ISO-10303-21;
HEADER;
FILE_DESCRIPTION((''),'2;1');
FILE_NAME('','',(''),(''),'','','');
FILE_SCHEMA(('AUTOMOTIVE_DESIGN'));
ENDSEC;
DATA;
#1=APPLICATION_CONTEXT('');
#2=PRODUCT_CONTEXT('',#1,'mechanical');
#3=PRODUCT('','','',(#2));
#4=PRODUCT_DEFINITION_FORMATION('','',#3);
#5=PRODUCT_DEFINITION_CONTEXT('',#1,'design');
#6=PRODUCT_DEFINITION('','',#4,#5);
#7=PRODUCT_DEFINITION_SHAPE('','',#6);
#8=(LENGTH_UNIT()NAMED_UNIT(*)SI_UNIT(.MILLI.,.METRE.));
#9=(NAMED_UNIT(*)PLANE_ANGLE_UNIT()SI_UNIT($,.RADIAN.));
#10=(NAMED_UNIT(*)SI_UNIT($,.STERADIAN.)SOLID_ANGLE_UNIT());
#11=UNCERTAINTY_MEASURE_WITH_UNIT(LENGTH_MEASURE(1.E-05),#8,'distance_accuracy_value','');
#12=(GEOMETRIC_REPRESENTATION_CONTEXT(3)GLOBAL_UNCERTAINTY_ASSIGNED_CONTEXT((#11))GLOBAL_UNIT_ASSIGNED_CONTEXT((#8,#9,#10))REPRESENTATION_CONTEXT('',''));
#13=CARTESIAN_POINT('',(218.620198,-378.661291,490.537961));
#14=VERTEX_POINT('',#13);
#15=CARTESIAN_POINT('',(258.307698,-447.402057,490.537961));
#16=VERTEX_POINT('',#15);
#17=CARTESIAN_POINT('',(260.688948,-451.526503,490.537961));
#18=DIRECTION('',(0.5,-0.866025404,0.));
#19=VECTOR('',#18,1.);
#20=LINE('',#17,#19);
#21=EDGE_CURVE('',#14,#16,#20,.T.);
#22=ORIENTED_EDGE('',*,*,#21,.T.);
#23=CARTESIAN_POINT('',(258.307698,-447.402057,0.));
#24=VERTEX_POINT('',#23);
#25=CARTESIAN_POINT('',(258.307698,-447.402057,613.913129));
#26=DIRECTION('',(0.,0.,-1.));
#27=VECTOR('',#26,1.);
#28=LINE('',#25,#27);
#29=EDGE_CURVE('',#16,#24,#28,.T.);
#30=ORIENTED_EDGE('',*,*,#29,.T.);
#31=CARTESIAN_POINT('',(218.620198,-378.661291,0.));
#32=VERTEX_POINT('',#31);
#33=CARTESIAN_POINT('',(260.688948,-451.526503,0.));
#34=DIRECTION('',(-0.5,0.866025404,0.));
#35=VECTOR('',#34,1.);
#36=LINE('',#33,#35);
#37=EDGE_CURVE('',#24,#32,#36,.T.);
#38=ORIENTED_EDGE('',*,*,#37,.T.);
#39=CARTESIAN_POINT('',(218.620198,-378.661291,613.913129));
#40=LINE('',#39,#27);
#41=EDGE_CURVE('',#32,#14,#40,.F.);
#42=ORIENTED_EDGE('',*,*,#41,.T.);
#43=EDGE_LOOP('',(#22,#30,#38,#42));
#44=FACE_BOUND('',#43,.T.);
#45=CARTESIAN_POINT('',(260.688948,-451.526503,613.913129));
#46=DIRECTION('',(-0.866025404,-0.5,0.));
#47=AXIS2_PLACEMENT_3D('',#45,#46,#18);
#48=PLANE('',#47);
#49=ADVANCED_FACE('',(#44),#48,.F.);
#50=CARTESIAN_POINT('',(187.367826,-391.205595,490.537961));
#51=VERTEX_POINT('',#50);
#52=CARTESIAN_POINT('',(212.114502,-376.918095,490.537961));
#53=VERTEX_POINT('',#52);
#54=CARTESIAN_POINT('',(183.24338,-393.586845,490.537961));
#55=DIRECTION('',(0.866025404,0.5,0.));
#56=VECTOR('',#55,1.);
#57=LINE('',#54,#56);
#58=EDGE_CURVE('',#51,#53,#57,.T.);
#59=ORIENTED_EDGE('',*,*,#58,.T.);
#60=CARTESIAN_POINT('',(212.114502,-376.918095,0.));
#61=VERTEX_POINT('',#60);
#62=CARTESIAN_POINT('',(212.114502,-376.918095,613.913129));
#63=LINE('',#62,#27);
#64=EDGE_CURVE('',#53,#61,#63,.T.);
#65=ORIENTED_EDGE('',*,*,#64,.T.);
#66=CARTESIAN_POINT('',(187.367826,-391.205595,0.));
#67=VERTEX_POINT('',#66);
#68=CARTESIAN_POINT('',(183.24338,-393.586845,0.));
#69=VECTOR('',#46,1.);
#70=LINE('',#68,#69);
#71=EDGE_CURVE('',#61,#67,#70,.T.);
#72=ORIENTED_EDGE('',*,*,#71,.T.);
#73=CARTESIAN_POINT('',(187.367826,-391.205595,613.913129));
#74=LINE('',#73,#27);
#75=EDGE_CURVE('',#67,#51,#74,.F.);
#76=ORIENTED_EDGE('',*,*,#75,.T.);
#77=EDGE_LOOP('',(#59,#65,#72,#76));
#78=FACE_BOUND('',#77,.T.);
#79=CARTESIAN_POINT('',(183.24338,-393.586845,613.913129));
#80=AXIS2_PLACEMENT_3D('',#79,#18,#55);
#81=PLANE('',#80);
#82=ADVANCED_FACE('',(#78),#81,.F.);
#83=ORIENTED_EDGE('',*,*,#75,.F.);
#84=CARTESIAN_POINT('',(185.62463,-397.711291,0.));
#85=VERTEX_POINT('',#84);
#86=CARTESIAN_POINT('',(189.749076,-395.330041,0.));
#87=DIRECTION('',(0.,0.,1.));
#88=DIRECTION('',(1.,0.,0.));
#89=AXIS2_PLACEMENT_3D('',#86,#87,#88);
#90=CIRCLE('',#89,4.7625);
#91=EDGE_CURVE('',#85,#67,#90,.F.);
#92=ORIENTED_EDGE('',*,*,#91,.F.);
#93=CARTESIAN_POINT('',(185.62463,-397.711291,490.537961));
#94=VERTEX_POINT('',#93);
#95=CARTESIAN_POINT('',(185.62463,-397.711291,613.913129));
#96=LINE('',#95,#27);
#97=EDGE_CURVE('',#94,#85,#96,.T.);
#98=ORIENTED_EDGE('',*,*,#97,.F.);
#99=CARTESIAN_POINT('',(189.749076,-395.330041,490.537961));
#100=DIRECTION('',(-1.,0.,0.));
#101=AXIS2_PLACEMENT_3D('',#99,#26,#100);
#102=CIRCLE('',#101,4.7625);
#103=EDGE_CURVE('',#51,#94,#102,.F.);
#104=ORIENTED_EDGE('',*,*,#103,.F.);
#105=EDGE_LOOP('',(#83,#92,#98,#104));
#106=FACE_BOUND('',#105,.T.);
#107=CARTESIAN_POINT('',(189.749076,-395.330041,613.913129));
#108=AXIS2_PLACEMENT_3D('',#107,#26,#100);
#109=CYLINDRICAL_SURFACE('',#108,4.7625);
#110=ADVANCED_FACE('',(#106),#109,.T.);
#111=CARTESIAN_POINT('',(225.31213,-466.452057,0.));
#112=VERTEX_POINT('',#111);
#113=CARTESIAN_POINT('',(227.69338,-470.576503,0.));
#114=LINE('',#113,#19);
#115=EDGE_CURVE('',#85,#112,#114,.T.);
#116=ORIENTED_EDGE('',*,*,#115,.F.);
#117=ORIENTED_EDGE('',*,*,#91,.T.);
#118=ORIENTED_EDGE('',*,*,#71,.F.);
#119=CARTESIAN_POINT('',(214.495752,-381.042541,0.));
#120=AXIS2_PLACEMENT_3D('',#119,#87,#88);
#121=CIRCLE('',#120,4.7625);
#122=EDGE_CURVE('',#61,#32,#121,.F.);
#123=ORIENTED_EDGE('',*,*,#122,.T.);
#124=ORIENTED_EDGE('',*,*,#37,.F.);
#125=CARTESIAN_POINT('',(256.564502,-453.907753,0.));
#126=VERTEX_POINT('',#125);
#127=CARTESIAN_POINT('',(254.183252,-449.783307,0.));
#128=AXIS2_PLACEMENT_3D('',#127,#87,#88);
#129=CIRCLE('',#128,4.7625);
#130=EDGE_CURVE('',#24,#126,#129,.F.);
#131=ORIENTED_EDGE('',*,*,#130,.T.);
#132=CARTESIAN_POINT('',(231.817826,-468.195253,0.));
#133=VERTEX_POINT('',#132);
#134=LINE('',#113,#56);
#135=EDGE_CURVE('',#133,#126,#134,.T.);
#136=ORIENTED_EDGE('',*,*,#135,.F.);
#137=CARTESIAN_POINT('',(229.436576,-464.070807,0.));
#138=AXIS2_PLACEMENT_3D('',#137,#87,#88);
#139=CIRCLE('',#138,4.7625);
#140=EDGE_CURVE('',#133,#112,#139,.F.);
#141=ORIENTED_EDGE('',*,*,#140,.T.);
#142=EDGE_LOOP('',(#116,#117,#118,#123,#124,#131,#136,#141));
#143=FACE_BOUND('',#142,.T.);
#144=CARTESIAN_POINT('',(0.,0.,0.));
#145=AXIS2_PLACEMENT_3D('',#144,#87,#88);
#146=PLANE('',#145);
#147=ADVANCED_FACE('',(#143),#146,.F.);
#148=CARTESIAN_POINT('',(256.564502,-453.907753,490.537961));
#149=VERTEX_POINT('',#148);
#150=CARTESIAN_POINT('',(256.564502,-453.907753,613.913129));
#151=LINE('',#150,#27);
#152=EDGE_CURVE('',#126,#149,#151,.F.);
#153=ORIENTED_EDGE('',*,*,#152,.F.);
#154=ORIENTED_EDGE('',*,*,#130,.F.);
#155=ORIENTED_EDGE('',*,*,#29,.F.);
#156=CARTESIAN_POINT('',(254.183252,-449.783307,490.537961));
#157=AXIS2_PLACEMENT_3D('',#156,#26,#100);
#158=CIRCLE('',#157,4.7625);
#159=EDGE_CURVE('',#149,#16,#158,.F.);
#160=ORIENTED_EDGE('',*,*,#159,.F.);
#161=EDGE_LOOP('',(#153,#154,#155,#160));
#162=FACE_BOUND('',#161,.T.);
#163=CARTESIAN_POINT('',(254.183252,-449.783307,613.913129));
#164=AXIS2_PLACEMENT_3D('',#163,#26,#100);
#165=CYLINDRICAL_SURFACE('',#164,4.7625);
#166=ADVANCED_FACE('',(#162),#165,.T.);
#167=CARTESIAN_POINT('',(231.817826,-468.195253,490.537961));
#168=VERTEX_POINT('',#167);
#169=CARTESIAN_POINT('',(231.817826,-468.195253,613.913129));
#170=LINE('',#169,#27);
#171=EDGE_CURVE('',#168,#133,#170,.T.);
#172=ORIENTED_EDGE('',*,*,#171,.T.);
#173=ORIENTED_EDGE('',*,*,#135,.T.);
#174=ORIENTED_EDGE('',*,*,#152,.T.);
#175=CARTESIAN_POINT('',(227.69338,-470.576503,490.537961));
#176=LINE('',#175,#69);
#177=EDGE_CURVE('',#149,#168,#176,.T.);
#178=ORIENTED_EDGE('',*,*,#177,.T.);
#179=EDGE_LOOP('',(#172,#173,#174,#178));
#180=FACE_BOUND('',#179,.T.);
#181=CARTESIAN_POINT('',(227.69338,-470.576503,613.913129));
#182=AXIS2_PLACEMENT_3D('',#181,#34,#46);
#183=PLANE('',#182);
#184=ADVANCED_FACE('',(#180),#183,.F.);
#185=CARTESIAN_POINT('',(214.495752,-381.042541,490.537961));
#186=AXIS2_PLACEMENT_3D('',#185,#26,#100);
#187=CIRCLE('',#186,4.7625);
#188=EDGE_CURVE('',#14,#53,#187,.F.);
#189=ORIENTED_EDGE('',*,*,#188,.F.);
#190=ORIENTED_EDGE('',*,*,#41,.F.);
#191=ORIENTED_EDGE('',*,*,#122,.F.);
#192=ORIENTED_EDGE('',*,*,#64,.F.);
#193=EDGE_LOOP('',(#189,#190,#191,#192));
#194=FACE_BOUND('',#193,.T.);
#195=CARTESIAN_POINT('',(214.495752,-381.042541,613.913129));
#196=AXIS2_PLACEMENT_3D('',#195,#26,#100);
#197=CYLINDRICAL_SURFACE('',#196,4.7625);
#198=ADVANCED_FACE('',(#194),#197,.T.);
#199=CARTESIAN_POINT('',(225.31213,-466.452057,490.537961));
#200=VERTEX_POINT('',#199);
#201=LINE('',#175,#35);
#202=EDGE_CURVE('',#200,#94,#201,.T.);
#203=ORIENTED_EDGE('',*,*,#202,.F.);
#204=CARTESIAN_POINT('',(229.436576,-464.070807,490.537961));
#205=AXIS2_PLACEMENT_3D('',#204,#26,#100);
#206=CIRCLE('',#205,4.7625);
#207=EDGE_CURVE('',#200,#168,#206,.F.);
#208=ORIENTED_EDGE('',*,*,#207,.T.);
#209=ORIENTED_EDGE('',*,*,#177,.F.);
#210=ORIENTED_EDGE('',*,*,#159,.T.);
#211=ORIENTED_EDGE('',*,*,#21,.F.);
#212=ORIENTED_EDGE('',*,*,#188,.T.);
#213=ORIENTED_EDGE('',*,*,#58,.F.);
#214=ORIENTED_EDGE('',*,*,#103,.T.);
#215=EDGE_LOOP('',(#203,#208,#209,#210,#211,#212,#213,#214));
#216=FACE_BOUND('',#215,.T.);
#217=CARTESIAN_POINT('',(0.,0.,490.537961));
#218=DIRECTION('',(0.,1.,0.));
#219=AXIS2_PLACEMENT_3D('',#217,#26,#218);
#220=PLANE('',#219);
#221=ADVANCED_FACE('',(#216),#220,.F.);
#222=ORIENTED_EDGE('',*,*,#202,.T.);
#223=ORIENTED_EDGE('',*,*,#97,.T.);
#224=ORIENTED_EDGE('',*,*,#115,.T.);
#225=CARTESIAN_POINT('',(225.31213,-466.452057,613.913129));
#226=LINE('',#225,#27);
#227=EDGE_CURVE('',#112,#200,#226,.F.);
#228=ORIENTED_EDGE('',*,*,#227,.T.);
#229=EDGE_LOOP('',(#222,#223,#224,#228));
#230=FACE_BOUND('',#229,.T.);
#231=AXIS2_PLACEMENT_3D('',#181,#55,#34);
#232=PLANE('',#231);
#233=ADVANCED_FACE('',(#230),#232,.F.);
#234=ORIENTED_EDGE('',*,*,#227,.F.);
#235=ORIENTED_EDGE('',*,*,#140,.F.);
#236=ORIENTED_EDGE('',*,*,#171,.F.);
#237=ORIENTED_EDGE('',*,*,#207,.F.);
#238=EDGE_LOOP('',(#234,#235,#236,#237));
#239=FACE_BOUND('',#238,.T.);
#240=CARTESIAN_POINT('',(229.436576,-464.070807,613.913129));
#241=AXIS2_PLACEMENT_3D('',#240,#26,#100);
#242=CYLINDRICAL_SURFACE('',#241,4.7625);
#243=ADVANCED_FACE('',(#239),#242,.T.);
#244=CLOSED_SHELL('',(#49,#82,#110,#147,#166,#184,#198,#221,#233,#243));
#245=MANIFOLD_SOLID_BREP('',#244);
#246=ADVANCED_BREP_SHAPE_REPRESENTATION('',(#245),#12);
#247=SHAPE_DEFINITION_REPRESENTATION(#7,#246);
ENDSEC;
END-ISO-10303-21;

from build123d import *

# Parameters (mm, degrees)
BOSS_EXTRUDE1_DEPTH = 490.537961
FILLET1_R           = 4.7625


with BuildPart() as part:
    # Sketch1 → Boss-Extrude1 (new body)
    with BuildSketch(Plane.XY):
        Polygon((227.693380197, -470.576503047), (183.243380197, -393.586844651), (216.238948081, -374.536844651), (260.688948081, -451.526503047), align=None)
    extrude(amount=BOSS_EXTRUDE1_DEPTH)

    # Fillet1
    fillet1_edges = [part.edges().sort_by_distance(p)[0] for p in [
        (227.693380197, -470.576503047, 245.2689805),
        (183.243380197, -393.586844651, 245.2689805),
        (216.238948081, -374.536844651, 245.2689805),
        (260.688948081, -451.526503047, 245.2689805),
    ]]
    fillet(fillet1_edges, radius=FILLET1_R)


solid = part.part
